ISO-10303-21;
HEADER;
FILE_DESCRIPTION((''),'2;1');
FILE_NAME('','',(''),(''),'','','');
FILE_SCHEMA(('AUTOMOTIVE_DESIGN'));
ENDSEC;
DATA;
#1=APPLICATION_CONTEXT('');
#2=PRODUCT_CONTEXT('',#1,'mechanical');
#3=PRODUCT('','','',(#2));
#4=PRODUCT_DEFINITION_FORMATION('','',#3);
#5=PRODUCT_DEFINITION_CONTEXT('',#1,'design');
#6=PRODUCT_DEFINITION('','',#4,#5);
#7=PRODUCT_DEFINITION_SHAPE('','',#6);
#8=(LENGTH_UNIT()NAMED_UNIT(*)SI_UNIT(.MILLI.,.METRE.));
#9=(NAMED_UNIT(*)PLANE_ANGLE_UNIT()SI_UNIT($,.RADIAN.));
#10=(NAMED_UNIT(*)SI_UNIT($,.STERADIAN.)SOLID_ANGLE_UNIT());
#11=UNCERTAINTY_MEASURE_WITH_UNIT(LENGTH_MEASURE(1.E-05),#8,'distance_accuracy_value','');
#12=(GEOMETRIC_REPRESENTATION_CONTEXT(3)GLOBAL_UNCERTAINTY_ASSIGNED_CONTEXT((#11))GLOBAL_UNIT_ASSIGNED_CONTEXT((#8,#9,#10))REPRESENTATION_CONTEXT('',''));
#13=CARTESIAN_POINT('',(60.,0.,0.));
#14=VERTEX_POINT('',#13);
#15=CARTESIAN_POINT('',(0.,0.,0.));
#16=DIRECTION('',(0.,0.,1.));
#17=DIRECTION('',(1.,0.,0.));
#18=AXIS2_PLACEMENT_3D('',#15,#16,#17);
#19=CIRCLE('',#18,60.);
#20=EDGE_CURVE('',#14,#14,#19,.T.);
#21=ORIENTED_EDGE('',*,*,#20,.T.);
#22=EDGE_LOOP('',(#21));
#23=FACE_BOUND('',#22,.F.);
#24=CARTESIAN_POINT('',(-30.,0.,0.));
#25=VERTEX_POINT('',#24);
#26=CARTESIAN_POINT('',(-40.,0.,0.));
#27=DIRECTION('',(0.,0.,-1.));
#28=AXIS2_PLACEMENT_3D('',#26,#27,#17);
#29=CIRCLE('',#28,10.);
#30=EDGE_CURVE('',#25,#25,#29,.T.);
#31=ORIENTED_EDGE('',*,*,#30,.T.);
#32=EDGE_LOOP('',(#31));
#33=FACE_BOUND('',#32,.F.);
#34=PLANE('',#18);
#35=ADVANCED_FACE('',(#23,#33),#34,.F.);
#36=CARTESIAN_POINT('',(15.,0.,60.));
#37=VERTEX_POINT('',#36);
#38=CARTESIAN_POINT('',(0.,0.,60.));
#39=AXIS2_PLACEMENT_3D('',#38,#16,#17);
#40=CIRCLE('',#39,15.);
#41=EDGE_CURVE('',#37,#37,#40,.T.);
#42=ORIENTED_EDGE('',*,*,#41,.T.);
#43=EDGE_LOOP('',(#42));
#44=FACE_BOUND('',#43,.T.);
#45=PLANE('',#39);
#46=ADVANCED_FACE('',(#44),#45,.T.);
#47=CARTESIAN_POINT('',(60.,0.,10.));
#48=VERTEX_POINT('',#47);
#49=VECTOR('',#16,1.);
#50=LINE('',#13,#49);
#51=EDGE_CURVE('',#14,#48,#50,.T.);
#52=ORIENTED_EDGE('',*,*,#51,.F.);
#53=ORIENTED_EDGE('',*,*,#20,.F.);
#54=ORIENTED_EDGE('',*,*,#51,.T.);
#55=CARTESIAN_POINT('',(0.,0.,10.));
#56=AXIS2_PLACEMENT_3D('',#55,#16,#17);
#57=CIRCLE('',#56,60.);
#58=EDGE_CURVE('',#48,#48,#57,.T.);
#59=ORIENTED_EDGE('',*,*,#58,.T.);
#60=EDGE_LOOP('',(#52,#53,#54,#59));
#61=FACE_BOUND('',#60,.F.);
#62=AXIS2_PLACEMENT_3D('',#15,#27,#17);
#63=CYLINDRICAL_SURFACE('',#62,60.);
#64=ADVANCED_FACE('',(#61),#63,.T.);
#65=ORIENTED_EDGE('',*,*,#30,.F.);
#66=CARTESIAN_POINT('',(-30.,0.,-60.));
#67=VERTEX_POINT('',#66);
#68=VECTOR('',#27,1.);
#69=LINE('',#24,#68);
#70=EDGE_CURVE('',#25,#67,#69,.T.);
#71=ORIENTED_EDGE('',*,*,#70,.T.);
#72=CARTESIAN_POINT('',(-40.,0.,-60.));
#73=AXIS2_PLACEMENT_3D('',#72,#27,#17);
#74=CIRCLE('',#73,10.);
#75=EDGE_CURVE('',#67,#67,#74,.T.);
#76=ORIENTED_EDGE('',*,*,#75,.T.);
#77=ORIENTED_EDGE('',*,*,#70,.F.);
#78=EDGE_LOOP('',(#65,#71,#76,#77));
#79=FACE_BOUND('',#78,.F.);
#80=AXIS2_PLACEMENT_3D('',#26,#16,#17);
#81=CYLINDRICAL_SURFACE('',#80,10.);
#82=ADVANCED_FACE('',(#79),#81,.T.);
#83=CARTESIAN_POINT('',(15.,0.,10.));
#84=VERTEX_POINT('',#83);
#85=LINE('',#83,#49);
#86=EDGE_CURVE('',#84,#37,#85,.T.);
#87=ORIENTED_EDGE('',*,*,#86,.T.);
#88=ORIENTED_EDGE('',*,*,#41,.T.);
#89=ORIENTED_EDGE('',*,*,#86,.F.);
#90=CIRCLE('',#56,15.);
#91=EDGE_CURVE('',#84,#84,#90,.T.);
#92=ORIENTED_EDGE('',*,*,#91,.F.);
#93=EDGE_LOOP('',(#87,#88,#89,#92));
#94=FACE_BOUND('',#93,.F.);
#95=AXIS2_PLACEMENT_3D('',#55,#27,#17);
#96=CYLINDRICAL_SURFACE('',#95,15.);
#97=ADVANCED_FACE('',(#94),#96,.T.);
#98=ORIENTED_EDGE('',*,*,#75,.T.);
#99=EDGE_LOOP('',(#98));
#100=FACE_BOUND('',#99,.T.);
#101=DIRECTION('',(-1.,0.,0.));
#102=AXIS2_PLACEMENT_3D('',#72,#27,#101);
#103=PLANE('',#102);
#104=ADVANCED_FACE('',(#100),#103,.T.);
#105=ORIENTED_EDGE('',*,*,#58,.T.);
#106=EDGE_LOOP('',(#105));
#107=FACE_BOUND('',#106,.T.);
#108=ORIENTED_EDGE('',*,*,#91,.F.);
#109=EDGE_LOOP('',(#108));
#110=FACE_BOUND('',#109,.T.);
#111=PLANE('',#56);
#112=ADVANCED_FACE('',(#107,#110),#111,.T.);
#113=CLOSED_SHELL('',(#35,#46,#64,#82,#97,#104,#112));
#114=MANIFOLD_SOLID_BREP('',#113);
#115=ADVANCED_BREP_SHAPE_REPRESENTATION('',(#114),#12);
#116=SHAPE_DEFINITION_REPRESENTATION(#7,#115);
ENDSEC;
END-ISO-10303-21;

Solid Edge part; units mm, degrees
sketch "Sketch1" plane through (0, 0, 0) normal (0, 0, 1) x (1, 0, 0)
  circle A0 centre (0, 0) radius 60
extrude "Protrusion1" add sketch "Sketch1" along normal blind 10
sketch "Sketch2" plane through (0, 0, 0) normal (0, 0, -1) x (1, 0, 0)
  circle A0 centre (-40, 0) radius 10
  dimension "D1" = 20
extrude "ExtrudedProtrusion_2" add sketch "Sketch2" along normal blind 60
sketch "Sketch3" plane through (0, 0, 10) normal (0, 0, 1) x (1, 0, 0)
  circle A0 centre (0, 0) radius 15
extrude "ExtrudedProtrusion_4" add sketch "Sketch3" along normal blind 50
